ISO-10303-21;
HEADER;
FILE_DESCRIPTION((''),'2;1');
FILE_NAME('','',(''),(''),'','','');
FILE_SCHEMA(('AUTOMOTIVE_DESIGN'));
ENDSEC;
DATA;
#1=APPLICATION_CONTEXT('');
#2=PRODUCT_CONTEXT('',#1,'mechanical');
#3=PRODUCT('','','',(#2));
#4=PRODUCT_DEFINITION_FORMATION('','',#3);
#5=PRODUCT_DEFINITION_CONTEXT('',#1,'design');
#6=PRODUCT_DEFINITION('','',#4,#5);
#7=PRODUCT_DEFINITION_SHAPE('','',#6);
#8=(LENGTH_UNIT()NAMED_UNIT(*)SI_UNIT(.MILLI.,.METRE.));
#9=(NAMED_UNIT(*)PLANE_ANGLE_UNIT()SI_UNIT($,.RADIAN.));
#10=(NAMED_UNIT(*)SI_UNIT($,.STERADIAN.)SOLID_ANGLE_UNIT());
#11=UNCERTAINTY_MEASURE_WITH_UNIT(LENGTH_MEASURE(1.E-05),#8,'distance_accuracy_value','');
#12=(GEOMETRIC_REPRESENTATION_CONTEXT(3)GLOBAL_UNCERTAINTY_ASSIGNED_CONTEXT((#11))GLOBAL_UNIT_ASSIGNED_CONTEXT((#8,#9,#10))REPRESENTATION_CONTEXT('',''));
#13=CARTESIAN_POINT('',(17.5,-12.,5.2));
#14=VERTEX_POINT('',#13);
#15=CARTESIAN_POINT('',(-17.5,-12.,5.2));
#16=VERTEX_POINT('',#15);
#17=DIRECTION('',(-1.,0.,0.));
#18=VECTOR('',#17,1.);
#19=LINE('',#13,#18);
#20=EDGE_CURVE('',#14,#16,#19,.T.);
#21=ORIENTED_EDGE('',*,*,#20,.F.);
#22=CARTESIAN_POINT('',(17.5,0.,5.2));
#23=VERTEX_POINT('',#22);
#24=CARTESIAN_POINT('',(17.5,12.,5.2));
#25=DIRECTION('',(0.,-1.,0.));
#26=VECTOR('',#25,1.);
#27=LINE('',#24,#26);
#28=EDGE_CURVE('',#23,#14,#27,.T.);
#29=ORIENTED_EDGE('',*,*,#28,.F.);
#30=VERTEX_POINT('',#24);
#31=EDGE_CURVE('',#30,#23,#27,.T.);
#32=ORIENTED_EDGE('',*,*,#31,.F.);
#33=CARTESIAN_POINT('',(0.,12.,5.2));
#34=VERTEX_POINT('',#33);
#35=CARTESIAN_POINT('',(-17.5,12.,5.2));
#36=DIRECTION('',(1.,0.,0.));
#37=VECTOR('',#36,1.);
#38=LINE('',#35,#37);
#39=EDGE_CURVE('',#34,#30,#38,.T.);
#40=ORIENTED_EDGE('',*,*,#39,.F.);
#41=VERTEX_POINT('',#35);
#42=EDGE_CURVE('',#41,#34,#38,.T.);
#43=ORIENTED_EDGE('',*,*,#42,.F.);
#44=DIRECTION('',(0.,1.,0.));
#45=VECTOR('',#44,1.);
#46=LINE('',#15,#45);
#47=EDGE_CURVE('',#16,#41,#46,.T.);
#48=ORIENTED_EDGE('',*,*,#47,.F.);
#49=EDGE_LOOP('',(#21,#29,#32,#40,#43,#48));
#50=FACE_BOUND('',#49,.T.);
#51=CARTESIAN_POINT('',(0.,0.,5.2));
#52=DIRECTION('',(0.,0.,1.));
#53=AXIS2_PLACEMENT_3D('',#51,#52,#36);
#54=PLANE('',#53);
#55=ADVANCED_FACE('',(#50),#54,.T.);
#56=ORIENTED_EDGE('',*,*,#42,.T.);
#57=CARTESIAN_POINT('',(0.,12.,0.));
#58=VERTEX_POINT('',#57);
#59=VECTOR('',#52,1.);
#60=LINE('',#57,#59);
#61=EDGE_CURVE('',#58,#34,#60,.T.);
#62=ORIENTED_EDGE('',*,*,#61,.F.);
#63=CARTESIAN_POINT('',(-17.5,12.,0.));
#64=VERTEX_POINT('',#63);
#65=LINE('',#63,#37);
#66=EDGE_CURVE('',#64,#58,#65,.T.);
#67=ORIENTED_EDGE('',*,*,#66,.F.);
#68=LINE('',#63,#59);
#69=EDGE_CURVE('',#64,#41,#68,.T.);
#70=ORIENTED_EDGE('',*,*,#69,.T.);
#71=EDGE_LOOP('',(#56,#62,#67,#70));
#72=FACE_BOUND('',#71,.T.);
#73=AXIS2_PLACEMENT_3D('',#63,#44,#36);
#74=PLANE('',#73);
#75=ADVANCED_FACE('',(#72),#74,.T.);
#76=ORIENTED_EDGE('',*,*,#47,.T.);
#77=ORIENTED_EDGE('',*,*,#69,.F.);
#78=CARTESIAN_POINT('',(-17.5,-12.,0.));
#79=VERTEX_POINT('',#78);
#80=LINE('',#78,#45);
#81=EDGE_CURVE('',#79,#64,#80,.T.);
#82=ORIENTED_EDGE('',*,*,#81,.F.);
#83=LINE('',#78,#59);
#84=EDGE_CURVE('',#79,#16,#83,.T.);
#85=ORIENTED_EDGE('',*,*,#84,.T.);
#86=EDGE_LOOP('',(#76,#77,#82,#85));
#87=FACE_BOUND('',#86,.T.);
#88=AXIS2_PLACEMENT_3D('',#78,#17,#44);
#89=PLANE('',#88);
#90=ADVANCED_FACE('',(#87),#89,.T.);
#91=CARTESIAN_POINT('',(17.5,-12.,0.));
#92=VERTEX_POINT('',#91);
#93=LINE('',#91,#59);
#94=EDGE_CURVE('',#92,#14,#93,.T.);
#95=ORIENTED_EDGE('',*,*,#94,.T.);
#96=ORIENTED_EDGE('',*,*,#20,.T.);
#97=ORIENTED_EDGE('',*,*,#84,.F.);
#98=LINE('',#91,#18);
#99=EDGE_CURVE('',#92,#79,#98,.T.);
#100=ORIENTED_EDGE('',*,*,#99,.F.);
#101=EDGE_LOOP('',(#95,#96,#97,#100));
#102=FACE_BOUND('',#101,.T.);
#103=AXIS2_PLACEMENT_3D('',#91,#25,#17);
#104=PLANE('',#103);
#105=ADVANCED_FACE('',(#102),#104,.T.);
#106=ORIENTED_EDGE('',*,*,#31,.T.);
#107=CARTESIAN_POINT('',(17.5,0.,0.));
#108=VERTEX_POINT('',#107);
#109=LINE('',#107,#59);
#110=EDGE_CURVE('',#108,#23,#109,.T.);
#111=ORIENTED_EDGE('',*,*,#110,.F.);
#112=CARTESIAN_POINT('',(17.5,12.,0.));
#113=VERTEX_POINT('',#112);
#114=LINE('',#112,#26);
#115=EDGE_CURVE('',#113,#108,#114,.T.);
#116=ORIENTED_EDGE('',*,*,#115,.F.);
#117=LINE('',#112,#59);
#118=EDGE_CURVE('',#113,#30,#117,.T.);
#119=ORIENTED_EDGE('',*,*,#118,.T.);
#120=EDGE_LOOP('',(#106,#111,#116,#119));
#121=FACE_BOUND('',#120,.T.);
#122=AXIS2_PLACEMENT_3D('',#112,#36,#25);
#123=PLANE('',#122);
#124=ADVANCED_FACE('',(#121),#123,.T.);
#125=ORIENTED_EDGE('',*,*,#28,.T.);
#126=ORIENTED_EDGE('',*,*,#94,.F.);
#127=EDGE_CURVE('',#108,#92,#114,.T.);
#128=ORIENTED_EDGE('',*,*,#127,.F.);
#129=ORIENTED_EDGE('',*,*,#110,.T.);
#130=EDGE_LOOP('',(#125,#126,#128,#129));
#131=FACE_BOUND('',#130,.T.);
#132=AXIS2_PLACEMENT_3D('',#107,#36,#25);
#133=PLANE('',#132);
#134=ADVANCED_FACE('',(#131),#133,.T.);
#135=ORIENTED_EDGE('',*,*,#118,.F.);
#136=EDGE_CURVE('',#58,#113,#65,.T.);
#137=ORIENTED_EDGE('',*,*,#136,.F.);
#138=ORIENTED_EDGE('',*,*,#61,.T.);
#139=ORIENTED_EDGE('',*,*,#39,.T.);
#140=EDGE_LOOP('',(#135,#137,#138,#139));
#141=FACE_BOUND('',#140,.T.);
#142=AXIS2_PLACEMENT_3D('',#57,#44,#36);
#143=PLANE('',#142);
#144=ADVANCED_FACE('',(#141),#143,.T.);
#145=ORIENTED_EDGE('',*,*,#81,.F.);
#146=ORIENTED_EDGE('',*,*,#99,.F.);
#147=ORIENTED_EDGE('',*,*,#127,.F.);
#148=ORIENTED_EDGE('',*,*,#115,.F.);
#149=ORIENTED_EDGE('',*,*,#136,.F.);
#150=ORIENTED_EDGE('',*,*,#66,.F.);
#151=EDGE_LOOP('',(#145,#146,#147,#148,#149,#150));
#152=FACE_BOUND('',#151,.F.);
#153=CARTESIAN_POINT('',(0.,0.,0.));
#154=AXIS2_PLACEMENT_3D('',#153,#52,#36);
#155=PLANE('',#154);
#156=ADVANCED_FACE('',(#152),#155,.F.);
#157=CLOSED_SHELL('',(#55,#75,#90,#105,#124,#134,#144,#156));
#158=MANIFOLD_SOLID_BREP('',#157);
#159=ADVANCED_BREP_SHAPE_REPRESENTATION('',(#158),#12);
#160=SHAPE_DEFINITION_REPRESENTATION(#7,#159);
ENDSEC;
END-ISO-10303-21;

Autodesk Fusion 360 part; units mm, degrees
sketch "Sketch1" plane through (0, 0, 0) normal (0, 0, 1) x (1, 0, 0)
  line L0 (-17.5, 12) -> (17.5, 12)
  line L1 (17.5, 12) -> (17.5, -12)
  line L2 (17.5, -12) -> (-17.5, -12)
  line L3 (-17.5, -12) -> (-17.5, 12)
  line L4 (0, 1.75) -> (0, 22.5)
  line L5 (1.75, 0) -> (22.5, 0)
  dimension "d1" = 35
  dimension "d2" = 24
extrude "Extrude1" add sketch "Sketch1" along normal blind 5.2
